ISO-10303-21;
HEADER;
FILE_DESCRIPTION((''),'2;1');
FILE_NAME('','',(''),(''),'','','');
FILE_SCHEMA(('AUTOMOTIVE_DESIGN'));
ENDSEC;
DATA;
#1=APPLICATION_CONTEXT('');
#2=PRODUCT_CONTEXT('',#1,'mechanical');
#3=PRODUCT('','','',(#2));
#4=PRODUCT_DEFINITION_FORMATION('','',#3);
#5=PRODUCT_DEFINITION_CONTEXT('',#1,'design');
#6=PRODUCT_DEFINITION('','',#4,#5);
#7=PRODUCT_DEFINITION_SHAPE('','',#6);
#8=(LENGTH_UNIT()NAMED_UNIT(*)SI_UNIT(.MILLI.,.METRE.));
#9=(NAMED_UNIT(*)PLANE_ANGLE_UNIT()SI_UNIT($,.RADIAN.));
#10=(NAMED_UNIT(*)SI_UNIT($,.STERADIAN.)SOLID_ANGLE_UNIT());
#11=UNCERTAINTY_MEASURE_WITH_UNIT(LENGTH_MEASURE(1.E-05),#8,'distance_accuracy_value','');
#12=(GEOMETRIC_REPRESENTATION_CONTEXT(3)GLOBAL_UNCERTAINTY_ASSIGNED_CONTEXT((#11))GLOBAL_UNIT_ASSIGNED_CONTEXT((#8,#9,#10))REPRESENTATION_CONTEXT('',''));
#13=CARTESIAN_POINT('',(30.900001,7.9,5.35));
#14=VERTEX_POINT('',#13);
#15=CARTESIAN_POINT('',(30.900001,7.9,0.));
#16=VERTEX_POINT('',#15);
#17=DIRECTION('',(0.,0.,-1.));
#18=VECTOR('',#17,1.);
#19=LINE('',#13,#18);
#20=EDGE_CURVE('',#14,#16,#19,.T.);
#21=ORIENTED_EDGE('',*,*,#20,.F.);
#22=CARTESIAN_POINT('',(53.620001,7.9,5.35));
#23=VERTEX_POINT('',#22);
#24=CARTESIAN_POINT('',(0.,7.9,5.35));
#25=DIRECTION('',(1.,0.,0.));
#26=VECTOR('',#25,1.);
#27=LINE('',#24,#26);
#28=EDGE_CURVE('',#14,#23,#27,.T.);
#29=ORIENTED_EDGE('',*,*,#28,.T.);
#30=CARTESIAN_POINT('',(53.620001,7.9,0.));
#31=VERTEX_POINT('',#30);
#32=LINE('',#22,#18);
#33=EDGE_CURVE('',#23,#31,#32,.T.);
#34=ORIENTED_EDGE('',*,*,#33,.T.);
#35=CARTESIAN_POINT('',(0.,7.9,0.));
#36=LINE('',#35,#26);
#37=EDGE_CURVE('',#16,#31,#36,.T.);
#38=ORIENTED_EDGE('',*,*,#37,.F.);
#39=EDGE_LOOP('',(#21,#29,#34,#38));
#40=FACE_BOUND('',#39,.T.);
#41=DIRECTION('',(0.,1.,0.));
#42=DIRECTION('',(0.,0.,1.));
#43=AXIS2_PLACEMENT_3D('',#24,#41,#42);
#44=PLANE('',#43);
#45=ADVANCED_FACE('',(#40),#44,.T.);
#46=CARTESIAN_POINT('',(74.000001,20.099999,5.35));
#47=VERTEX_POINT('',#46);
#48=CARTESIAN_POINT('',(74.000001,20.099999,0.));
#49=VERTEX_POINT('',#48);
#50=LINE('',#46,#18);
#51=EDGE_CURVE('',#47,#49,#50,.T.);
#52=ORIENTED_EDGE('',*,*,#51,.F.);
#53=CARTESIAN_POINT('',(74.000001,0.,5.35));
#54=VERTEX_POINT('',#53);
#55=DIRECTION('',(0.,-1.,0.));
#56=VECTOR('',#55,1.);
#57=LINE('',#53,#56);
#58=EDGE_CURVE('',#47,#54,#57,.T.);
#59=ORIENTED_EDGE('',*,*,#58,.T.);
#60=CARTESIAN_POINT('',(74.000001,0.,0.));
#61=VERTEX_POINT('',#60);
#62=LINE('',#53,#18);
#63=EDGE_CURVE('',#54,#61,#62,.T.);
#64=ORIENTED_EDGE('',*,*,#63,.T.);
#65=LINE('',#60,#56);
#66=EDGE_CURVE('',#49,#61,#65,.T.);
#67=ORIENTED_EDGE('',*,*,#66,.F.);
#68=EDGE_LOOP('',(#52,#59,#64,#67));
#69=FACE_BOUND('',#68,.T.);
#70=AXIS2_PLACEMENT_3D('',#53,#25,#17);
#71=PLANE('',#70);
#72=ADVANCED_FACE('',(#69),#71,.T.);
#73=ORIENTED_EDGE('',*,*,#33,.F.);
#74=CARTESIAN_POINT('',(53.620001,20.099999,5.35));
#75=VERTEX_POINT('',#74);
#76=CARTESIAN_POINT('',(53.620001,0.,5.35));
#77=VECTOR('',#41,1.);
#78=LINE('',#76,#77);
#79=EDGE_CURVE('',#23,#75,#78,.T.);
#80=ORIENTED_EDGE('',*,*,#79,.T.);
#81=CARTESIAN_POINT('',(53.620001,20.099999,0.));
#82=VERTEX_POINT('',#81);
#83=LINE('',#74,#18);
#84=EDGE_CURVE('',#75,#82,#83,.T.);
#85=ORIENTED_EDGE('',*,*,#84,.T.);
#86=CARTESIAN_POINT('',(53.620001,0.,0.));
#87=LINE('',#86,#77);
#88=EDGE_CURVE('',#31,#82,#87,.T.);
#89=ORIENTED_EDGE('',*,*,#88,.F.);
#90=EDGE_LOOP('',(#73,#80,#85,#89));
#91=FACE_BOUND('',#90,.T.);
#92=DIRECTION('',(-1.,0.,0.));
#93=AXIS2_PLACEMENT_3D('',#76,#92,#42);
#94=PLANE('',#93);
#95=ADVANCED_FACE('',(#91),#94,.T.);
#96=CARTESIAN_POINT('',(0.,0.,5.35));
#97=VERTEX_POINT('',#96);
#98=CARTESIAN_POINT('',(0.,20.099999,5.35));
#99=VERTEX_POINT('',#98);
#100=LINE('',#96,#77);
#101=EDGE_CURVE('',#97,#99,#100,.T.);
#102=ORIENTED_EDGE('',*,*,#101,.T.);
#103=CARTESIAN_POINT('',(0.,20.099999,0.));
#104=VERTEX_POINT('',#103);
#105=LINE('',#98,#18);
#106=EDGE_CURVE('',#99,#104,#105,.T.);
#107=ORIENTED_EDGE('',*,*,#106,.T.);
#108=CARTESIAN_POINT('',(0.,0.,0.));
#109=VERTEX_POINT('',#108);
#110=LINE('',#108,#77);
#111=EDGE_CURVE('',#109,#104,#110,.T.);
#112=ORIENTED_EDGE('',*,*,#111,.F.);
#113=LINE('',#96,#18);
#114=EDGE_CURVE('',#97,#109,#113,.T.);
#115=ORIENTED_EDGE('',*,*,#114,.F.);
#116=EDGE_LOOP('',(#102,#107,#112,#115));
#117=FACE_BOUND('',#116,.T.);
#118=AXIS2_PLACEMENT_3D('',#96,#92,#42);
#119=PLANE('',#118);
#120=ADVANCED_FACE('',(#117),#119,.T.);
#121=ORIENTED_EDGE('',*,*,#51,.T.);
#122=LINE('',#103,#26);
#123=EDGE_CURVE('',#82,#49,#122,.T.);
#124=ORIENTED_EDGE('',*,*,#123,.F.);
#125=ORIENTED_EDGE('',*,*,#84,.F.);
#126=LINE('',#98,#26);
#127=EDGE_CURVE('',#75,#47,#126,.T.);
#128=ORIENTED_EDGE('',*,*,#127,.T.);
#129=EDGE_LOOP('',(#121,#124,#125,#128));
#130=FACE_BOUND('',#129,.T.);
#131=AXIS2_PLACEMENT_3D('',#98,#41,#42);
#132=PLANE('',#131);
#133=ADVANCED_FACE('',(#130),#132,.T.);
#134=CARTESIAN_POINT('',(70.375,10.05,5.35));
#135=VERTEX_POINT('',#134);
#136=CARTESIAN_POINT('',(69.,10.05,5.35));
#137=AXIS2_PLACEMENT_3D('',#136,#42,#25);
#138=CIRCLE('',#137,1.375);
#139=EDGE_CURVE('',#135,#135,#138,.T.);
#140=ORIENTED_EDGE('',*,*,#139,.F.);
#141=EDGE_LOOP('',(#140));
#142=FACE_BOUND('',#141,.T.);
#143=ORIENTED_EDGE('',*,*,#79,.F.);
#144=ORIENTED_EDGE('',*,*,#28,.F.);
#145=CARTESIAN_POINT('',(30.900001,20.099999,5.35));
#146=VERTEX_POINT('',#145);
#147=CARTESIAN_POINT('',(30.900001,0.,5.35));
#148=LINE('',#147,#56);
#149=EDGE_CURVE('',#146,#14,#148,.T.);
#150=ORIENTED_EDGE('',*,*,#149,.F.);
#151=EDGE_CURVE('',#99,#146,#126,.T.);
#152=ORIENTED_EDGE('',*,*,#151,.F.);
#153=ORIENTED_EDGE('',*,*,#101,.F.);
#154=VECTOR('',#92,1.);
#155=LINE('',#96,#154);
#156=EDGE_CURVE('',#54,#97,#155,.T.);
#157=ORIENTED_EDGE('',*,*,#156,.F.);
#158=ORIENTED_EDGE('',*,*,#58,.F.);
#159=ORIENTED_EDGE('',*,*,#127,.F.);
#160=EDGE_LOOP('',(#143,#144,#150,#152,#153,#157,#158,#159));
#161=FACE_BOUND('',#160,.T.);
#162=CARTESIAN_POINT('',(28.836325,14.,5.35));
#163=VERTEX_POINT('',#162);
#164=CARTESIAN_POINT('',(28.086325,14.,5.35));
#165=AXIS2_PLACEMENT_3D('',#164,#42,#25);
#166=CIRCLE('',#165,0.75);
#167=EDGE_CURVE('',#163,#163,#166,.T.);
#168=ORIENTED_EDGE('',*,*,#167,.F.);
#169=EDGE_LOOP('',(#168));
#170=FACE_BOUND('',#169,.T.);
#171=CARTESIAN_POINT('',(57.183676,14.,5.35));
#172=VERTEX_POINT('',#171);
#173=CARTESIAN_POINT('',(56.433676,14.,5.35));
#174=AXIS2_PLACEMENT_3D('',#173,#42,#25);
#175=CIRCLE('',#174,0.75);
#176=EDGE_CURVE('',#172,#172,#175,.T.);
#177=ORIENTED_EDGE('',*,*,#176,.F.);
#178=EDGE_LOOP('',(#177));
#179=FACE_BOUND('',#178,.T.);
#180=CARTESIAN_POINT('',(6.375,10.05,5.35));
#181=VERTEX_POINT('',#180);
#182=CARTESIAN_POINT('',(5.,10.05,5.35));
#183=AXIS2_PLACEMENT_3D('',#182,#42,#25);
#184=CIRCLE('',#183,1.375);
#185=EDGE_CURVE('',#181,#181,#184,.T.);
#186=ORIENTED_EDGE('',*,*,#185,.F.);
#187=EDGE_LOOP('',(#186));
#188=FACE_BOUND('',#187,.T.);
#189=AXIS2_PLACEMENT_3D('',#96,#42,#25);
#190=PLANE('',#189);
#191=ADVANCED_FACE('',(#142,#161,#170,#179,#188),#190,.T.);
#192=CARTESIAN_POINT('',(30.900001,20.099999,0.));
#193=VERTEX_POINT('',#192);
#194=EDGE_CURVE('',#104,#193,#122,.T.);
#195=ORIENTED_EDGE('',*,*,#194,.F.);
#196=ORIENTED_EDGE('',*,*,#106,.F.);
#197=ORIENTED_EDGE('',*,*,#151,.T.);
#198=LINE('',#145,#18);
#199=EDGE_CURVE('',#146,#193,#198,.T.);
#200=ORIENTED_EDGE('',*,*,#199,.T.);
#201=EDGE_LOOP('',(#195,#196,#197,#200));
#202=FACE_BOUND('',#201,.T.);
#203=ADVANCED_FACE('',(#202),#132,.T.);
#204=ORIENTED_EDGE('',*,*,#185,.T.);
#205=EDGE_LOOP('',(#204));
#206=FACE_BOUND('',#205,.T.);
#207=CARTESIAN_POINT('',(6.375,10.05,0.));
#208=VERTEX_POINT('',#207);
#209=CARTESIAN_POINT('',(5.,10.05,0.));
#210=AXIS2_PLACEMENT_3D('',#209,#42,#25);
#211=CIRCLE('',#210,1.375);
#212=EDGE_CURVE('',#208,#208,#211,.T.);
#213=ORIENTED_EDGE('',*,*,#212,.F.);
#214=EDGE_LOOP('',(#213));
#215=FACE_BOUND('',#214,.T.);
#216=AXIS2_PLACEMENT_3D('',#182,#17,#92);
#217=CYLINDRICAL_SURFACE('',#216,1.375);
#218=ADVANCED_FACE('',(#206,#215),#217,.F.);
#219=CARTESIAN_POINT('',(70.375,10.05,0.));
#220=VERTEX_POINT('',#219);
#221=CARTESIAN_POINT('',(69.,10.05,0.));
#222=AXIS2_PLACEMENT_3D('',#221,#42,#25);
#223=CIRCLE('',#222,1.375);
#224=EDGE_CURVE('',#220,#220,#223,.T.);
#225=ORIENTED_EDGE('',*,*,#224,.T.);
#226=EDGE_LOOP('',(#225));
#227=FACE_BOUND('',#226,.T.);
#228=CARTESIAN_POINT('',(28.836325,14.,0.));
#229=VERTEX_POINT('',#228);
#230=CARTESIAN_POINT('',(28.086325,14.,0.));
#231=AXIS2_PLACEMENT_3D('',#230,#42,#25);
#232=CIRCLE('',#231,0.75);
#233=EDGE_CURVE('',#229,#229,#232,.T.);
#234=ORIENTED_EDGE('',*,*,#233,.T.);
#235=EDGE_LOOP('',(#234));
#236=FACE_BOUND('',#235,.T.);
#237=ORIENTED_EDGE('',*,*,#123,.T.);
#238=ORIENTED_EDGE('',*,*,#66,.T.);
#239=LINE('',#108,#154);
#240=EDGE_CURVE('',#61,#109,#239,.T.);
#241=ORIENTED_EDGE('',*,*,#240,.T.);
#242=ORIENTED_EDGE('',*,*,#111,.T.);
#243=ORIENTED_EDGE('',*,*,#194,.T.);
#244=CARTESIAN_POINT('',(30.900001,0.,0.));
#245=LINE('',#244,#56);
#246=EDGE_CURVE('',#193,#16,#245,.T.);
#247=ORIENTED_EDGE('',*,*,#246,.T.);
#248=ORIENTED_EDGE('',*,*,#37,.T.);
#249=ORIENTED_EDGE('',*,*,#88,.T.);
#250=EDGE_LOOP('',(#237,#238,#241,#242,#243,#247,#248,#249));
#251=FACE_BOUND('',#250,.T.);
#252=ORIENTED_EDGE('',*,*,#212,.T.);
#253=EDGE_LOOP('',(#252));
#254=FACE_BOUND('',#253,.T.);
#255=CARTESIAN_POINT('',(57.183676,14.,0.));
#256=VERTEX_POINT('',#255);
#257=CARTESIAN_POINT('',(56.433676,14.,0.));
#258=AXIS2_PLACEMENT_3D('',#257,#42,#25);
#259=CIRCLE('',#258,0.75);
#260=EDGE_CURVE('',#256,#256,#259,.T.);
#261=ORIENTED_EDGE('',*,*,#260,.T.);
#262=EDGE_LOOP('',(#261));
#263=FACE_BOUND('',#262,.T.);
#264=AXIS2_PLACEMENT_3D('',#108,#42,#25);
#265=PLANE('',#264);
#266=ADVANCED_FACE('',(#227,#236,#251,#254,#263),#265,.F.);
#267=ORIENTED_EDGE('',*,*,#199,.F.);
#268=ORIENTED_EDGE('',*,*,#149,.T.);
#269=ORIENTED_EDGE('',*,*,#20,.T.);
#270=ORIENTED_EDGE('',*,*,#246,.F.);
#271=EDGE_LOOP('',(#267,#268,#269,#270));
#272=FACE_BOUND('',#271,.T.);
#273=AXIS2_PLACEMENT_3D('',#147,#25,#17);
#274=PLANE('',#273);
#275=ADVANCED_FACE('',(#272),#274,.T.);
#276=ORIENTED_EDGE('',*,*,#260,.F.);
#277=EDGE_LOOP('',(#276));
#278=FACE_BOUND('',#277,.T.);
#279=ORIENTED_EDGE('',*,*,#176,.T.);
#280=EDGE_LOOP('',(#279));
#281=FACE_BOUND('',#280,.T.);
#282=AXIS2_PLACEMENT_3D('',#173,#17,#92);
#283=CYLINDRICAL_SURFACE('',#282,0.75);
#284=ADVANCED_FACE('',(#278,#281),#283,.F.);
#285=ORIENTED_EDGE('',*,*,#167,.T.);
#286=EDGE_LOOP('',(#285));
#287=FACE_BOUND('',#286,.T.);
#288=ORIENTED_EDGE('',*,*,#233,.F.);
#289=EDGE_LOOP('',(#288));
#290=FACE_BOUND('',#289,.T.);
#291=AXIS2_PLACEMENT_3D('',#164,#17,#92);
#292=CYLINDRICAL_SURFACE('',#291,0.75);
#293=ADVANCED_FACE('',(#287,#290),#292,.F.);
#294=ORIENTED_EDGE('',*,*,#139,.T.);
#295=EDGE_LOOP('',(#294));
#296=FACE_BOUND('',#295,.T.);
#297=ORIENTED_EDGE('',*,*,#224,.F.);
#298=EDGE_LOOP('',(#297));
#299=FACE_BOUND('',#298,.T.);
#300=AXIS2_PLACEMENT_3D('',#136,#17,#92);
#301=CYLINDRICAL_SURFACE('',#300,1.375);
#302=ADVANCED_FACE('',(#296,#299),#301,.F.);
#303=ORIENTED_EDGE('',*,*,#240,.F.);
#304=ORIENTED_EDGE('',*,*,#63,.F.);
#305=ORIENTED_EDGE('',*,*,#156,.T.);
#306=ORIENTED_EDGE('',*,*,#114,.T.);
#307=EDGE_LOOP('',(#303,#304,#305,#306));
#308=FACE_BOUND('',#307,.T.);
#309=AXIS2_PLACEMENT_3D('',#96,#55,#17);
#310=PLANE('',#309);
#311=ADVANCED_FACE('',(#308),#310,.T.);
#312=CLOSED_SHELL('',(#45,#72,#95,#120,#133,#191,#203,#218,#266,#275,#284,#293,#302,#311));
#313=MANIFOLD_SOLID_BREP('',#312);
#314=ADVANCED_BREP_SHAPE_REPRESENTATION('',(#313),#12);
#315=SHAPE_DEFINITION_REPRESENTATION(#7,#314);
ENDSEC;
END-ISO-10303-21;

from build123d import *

# Parameters (mm, degrees)
MODEL_R             = 0.75
MODEL_R_2           = 1.375
BOSS_EXTRUDE1_DEPTH = 5.35


with BuildPart() as part:
    # Model → Boss-Extrude1 (new body)
    with BuildSketch(Plane.XY):
        Polygon((53.620001301, 20.099999383), (74.000000954, 20.099999383), (74.000000954, 0), (0, 0), (0, 20.099999383), (30.900000594, 20.099999383), (30.900000594, 7.899999618), (53.620001301, 7.899999618), align=None)
        with Locations((28.086325314, 13.999999691)):
            Circle(MODEL_R, mode=Mode.SUBTRACT)
        with Locations((56.43367564, 13.999999691)):
            Circle(MODEL_R, mode=Mode.SUBTRACT)
        with Locations((5.000000477, 10.049999692)):
            Circle(MODEL_R_2, mode=Mode.SUBTRACT)
        with Locations((69.000000477, 10.049999692)):
            Circle(MODEL_R_2, mode=Mode.SUBTRACT)
    extrude(amount=BOSS_EXTRUDE1_DEPTH)


solid = part.part
